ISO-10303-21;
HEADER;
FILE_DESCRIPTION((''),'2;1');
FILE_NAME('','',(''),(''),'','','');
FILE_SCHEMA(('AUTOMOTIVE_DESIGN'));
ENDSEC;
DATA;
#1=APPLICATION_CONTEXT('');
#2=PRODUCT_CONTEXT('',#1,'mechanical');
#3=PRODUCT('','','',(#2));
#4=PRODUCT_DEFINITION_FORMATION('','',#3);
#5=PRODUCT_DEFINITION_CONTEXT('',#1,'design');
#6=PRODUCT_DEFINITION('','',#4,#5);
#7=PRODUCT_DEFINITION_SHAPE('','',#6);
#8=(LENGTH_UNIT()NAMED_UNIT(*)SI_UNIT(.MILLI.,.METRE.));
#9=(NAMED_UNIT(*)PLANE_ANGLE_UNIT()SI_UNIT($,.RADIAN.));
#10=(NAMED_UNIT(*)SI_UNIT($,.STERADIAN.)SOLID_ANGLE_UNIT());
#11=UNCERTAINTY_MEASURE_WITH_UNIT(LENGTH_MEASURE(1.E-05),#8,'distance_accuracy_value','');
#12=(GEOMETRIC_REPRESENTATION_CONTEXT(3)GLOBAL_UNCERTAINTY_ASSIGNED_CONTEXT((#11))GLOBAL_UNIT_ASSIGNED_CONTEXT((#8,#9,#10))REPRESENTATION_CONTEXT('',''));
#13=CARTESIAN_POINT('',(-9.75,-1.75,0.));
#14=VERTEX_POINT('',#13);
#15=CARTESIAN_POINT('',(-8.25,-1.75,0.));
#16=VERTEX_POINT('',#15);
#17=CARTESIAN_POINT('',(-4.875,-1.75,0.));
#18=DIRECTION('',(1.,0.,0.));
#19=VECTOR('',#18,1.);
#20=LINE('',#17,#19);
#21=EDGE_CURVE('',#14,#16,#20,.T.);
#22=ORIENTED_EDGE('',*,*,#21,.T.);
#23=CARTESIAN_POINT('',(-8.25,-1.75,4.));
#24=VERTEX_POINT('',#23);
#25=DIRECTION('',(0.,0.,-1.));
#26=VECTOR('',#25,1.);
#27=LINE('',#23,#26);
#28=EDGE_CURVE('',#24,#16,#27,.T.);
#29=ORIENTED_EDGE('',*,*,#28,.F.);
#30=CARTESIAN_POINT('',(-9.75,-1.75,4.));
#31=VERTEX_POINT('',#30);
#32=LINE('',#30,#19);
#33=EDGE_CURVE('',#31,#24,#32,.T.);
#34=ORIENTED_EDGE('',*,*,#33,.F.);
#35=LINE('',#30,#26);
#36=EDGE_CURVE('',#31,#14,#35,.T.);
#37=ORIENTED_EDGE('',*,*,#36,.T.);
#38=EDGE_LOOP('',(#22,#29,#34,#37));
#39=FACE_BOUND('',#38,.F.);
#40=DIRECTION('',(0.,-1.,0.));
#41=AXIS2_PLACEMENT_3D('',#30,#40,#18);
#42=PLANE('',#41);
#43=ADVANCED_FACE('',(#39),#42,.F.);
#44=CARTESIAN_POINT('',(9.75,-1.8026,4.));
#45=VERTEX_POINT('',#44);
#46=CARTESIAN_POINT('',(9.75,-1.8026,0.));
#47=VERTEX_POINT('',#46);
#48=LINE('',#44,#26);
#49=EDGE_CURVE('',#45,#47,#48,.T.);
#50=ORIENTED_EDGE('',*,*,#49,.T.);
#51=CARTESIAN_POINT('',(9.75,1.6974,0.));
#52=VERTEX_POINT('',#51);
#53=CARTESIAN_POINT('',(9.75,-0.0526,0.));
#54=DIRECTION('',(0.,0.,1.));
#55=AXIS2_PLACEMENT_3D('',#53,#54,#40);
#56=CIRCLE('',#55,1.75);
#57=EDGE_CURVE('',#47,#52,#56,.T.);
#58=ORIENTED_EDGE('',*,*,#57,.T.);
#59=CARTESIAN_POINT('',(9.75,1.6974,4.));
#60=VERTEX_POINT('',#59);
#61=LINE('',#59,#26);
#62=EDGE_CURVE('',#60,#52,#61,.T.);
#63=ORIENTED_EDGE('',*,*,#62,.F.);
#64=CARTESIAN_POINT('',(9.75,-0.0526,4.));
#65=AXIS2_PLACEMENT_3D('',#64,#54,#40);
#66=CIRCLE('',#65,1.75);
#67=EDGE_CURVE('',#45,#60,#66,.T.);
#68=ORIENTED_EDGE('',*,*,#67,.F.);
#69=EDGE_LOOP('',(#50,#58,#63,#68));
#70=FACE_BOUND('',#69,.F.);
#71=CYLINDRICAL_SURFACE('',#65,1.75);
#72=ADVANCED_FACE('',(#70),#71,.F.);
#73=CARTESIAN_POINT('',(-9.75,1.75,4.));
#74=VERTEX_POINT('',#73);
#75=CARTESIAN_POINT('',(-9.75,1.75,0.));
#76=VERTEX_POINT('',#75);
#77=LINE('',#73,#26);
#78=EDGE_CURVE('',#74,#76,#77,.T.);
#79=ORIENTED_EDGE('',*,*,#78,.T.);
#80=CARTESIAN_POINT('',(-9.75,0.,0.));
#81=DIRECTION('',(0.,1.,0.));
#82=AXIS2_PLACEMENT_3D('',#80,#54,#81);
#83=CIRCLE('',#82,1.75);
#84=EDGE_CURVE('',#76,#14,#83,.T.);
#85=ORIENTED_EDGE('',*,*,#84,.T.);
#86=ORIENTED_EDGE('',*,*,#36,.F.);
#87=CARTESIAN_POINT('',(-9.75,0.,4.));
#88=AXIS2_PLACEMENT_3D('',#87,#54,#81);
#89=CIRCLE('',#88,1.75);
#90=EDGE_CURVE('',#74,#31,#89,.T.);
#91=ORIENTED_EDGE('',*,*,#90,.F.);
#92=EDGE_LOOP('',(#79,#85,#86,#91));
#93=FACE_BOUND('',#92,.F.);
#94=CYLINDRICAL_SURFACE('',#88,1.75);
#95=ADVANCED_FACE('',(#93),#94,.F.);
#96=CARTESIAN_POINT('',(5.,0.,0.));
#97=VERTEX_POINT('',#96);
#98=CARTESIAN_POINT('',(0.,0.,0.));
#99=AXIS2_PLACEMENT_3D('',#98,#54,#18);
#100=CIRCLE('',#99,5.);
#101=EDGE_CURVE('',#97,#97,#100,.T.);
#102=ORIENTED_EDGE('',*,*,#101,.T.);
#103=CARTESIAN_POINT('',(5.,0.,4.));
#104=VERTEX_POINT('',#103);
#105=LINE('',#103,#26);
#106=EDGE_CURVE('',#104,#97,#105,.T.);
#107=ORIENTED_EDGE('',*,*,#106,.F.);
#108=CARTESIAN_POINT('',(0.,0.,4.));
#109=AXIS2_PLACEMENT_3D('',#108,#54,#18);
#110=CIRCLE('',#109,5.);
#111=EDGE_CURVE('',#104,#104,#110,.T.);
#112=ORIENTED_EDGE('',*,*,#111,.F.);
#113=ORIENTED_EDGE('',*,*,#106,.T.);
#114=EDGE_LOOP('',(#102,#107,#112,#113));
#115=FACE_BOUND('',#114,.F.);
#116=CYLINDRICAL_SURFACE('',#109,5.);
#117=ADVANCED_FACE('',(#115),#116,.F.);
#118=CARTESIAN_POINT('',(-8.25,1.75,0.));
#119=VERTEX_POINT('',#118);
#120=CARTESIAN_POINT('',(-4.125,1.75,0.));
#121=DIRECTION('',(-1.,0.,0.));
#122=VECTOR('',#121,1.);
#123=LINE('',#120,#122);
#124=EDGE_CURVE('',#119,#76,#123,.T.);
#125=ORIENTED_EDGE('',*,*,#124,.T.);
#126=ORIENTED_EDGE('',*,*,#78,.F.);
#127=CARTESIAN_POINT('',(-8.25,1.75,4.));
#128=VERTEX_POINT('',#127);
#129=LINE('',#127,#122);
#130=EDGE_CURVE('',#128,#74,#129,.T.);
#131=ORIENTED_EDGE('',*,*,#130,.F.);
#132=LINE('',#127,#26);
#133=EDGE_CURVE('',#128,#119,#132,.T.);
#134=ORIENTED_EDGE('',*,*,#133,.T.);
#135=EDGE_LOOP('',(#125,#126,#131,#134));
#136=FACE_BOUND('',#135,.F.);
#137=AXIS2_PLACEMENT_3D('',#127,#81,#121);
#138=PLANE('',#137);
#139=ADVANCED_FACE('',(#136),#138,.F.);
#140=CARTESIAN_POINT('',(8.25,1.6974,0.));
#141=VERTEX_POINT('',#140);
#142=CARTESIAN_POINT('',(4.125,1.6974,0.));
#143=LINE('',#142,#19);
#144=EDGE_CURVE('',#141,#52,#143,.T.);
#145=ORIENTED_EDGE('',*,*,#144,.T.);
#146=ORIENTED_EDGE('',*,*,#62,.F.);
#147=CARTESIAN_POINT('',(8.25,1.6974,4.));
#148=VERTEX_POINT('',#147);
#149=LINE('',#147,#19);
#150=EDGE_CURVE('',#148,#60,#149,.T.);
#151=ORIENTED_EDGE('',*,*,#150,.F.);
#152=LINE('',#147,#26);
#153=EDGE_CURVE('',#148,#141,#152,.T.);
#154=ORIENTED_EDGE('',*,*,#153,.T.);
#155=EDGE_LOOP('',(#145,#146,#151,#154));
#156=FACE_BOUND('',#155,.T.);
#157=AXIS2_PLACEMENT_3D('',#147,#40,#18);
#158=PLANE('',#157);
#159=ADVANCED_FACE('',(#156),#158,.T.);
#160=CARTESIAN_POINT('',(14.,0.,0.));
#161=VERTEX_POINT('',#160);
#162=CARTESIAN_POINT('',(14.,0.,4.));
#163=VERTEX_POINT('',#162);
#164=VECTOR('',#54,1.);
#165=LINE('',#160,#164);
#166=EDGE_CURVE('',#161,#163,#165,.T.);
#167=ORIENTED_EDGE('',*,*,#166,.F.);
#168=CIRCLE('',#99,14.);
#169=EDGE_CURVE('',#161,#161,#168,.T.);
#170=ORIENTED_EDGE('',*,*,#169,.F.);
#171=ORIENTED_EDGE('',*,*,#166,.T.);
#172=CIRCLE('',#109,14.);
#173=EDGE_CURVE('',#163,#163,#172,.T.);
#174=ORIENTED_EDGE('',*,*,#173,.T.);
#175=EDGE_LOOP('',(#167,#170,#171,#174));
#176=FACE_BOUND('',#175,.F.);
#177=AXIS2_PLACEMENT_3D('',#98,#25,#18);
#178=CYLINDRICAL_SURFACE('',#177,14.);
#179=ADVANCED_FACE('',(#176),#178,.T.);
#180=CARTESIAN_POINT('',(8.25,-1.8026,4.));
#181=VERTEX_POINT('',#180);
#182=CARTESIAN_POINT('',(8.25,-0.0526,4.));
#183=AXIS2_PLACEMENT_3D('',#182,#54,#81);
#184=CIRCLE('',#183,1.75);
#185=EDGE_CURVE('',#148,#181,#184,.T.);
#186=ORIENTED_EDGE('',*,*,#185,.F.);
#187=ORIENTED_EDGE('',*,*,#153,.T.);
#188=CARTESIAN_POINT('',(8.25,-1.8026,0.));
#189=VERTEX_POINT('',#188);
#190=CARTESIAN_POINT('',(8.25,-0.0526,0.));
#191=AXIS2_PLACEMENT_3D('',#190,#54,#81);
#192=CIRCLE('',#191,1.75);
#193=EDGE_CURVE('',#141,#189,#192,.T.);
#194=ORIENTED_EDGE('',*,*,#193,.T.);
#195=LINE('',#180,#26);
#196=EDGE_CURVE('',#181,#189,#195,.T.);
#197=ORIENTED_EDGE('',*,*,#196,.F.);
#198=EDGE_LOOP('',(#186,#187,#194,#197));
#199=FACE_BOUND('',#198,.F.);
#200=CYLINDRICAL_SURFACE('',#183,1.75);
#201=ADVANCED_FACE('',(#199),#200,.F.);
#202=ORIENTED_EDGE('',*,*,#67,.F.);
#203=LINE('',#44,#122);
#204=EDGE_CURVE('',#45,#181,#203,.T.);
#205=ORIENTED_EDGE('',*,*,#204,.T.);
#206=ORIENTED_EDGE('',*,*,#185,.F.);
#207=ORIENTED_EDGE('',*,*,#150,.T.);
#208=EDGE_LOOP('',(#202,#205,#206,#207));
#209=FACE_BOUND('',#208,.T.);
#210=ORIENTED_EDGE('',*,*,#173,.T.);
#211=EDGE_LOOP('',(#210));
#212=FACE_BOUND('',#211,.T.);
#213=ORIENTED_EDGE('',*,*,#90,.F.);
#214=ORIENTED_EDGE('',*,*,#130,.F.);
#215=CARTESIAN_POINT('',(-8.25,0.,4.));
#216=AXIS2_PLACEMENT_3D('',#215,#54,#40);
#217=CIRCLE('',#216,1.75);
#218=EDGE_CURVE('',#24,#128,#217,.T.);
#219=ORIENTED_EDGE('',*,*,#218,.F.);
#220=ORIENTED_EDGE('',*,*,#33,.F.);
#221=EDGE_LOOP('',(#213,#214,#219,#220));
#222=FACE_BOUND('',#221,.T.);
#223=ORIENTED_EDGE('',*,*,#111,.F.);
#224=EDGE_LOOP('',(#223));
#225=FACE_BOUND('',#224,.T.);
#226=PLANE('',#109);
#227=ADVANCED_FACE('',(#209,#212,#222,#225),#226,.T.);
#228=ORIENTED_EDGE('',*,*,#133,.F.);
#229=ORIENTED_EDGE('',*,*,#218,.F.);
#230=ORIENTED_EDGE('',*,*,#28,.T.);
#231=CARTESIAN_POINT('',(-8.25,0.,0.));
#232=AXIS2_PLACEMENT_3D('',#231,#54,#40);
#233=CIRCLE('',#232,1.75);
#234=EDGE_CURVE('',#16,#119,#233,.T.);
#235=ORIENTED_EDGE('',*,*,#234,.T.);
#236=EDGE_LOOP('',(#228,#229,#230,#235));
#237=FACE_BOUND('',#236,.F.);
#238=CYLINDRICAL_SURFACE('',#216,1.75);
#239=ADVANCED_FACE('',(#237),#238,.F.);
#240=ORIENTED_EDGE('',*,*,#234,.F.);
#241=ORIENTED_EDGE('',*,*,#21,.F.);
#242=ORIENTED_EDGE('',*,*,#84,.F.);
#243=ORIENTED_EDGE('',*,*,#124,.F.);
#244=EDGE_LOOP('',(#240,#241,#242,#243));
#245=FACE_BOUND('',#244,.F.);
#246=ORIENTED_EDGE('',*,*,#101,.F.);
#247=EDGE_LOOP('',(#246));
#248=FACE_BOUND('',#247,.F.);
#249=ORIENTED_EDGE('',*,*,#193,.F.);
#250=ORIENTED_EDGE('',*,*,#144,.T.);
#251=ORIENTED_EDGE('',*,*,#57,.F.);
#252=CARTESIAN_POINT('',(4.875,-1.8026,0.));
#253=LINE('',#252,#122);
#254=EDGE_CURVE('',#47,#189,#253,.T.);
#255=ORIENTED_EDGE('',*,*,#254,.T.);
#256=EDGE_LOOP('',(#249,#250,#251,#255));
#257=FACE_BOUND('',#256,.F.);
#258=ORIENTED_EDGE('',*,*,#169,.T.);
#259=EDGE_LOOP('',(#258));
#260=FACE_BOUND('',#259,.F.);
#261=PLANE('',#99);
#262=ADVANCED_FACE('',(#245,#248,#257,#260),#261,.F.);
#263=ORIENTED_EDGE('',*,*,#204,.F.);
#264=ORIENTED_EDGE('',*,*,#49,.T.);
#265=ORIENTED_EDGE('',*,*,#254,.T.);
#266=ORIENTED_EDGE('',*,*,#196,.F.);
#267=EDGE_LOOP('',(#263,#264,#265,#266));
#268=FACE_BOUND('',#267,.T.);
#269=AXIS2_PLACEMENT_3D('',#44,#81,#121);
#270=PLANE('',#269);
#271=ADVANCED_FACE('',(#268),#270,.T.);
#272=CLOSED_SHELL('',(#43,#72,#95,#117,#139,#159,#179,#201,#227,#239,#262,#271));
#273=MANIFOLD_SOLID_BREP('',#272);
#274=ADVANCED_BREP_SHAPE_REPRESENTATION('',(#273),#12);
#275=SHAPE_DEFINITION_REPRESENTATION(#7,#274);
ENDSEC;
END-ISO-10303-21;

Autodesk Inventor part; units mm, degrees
ref_plane "YZ Plane" through (0, 0, 0) normal (1, 0, 0) x (0, 1, 0)
ref_plane "XZ Plane" through (0, 0, 0) normal (0, 1, 0) x (-1, 0, 0)
ref_plane "XY Plane" through (0, 0, 0) normal (0, 0, 1) x (1, 0, 0)
sketch "Sketch1" plane through (0, 0, 0) normal (0, 0, 1) x (1, 0, 0)
  circle A0 centre (0, 0) radius 14
  dimension "d0" = 28
extrude "Extrusion1" add sketch "Sketch1" along normal blind 4
sketch "Sketch2" plane through (0, 0, 4) normal (0, 0, 1) x (1, 0, 0)
  circle A0 centre (0, 0) radius 5
  line L0 (-11.5, 0) -> (-6.5, 0) construction
  line L1 (-9.75, -1.75) -> (-8.25, -1.75)
  line L2 (-8.25, 1.75) -> (-9.75, 1.75)
  arc A1 (-9.75, 1.75) -> (-9.75, -1.75) centre (-9.75, 0) ccw
  arc A2 (-8.25, -1.75) -> (-8.25, 1.75) centre (-8.25, 0) ccw
  line L3 (6.5, -0.0526) -> (11.5, -0.0526) construction
  line L4 (8.25, 1.6974) -> (9.75, 1.6974)
  line L5 (9.75, -1.8026) -> (8.25, -1.8026)
  arc A3 (8.25, 1.6974) -> (8.25, -1.8026) centre (8.25, -0.0526) ccw
  arc A4 (9.75, -1.8026) -> (9.75, 1.6974) centre (9.75, -0.0526) ccw
  point P0 (-9, 0)
  point P1 (9, -0.0526)
  dimension "d3" = 10
  dimension "d4" = 5
  dimension "d5" = 3.5
  dimension "d6" = 6.5
  dimension "d7" = 5
  dimension "d11" = 6.5
  dimension "d12" = 1.5
extrude "Extrusion2" cut sketch "Sketch2" against normal blind 5
properties part number "motormount"
